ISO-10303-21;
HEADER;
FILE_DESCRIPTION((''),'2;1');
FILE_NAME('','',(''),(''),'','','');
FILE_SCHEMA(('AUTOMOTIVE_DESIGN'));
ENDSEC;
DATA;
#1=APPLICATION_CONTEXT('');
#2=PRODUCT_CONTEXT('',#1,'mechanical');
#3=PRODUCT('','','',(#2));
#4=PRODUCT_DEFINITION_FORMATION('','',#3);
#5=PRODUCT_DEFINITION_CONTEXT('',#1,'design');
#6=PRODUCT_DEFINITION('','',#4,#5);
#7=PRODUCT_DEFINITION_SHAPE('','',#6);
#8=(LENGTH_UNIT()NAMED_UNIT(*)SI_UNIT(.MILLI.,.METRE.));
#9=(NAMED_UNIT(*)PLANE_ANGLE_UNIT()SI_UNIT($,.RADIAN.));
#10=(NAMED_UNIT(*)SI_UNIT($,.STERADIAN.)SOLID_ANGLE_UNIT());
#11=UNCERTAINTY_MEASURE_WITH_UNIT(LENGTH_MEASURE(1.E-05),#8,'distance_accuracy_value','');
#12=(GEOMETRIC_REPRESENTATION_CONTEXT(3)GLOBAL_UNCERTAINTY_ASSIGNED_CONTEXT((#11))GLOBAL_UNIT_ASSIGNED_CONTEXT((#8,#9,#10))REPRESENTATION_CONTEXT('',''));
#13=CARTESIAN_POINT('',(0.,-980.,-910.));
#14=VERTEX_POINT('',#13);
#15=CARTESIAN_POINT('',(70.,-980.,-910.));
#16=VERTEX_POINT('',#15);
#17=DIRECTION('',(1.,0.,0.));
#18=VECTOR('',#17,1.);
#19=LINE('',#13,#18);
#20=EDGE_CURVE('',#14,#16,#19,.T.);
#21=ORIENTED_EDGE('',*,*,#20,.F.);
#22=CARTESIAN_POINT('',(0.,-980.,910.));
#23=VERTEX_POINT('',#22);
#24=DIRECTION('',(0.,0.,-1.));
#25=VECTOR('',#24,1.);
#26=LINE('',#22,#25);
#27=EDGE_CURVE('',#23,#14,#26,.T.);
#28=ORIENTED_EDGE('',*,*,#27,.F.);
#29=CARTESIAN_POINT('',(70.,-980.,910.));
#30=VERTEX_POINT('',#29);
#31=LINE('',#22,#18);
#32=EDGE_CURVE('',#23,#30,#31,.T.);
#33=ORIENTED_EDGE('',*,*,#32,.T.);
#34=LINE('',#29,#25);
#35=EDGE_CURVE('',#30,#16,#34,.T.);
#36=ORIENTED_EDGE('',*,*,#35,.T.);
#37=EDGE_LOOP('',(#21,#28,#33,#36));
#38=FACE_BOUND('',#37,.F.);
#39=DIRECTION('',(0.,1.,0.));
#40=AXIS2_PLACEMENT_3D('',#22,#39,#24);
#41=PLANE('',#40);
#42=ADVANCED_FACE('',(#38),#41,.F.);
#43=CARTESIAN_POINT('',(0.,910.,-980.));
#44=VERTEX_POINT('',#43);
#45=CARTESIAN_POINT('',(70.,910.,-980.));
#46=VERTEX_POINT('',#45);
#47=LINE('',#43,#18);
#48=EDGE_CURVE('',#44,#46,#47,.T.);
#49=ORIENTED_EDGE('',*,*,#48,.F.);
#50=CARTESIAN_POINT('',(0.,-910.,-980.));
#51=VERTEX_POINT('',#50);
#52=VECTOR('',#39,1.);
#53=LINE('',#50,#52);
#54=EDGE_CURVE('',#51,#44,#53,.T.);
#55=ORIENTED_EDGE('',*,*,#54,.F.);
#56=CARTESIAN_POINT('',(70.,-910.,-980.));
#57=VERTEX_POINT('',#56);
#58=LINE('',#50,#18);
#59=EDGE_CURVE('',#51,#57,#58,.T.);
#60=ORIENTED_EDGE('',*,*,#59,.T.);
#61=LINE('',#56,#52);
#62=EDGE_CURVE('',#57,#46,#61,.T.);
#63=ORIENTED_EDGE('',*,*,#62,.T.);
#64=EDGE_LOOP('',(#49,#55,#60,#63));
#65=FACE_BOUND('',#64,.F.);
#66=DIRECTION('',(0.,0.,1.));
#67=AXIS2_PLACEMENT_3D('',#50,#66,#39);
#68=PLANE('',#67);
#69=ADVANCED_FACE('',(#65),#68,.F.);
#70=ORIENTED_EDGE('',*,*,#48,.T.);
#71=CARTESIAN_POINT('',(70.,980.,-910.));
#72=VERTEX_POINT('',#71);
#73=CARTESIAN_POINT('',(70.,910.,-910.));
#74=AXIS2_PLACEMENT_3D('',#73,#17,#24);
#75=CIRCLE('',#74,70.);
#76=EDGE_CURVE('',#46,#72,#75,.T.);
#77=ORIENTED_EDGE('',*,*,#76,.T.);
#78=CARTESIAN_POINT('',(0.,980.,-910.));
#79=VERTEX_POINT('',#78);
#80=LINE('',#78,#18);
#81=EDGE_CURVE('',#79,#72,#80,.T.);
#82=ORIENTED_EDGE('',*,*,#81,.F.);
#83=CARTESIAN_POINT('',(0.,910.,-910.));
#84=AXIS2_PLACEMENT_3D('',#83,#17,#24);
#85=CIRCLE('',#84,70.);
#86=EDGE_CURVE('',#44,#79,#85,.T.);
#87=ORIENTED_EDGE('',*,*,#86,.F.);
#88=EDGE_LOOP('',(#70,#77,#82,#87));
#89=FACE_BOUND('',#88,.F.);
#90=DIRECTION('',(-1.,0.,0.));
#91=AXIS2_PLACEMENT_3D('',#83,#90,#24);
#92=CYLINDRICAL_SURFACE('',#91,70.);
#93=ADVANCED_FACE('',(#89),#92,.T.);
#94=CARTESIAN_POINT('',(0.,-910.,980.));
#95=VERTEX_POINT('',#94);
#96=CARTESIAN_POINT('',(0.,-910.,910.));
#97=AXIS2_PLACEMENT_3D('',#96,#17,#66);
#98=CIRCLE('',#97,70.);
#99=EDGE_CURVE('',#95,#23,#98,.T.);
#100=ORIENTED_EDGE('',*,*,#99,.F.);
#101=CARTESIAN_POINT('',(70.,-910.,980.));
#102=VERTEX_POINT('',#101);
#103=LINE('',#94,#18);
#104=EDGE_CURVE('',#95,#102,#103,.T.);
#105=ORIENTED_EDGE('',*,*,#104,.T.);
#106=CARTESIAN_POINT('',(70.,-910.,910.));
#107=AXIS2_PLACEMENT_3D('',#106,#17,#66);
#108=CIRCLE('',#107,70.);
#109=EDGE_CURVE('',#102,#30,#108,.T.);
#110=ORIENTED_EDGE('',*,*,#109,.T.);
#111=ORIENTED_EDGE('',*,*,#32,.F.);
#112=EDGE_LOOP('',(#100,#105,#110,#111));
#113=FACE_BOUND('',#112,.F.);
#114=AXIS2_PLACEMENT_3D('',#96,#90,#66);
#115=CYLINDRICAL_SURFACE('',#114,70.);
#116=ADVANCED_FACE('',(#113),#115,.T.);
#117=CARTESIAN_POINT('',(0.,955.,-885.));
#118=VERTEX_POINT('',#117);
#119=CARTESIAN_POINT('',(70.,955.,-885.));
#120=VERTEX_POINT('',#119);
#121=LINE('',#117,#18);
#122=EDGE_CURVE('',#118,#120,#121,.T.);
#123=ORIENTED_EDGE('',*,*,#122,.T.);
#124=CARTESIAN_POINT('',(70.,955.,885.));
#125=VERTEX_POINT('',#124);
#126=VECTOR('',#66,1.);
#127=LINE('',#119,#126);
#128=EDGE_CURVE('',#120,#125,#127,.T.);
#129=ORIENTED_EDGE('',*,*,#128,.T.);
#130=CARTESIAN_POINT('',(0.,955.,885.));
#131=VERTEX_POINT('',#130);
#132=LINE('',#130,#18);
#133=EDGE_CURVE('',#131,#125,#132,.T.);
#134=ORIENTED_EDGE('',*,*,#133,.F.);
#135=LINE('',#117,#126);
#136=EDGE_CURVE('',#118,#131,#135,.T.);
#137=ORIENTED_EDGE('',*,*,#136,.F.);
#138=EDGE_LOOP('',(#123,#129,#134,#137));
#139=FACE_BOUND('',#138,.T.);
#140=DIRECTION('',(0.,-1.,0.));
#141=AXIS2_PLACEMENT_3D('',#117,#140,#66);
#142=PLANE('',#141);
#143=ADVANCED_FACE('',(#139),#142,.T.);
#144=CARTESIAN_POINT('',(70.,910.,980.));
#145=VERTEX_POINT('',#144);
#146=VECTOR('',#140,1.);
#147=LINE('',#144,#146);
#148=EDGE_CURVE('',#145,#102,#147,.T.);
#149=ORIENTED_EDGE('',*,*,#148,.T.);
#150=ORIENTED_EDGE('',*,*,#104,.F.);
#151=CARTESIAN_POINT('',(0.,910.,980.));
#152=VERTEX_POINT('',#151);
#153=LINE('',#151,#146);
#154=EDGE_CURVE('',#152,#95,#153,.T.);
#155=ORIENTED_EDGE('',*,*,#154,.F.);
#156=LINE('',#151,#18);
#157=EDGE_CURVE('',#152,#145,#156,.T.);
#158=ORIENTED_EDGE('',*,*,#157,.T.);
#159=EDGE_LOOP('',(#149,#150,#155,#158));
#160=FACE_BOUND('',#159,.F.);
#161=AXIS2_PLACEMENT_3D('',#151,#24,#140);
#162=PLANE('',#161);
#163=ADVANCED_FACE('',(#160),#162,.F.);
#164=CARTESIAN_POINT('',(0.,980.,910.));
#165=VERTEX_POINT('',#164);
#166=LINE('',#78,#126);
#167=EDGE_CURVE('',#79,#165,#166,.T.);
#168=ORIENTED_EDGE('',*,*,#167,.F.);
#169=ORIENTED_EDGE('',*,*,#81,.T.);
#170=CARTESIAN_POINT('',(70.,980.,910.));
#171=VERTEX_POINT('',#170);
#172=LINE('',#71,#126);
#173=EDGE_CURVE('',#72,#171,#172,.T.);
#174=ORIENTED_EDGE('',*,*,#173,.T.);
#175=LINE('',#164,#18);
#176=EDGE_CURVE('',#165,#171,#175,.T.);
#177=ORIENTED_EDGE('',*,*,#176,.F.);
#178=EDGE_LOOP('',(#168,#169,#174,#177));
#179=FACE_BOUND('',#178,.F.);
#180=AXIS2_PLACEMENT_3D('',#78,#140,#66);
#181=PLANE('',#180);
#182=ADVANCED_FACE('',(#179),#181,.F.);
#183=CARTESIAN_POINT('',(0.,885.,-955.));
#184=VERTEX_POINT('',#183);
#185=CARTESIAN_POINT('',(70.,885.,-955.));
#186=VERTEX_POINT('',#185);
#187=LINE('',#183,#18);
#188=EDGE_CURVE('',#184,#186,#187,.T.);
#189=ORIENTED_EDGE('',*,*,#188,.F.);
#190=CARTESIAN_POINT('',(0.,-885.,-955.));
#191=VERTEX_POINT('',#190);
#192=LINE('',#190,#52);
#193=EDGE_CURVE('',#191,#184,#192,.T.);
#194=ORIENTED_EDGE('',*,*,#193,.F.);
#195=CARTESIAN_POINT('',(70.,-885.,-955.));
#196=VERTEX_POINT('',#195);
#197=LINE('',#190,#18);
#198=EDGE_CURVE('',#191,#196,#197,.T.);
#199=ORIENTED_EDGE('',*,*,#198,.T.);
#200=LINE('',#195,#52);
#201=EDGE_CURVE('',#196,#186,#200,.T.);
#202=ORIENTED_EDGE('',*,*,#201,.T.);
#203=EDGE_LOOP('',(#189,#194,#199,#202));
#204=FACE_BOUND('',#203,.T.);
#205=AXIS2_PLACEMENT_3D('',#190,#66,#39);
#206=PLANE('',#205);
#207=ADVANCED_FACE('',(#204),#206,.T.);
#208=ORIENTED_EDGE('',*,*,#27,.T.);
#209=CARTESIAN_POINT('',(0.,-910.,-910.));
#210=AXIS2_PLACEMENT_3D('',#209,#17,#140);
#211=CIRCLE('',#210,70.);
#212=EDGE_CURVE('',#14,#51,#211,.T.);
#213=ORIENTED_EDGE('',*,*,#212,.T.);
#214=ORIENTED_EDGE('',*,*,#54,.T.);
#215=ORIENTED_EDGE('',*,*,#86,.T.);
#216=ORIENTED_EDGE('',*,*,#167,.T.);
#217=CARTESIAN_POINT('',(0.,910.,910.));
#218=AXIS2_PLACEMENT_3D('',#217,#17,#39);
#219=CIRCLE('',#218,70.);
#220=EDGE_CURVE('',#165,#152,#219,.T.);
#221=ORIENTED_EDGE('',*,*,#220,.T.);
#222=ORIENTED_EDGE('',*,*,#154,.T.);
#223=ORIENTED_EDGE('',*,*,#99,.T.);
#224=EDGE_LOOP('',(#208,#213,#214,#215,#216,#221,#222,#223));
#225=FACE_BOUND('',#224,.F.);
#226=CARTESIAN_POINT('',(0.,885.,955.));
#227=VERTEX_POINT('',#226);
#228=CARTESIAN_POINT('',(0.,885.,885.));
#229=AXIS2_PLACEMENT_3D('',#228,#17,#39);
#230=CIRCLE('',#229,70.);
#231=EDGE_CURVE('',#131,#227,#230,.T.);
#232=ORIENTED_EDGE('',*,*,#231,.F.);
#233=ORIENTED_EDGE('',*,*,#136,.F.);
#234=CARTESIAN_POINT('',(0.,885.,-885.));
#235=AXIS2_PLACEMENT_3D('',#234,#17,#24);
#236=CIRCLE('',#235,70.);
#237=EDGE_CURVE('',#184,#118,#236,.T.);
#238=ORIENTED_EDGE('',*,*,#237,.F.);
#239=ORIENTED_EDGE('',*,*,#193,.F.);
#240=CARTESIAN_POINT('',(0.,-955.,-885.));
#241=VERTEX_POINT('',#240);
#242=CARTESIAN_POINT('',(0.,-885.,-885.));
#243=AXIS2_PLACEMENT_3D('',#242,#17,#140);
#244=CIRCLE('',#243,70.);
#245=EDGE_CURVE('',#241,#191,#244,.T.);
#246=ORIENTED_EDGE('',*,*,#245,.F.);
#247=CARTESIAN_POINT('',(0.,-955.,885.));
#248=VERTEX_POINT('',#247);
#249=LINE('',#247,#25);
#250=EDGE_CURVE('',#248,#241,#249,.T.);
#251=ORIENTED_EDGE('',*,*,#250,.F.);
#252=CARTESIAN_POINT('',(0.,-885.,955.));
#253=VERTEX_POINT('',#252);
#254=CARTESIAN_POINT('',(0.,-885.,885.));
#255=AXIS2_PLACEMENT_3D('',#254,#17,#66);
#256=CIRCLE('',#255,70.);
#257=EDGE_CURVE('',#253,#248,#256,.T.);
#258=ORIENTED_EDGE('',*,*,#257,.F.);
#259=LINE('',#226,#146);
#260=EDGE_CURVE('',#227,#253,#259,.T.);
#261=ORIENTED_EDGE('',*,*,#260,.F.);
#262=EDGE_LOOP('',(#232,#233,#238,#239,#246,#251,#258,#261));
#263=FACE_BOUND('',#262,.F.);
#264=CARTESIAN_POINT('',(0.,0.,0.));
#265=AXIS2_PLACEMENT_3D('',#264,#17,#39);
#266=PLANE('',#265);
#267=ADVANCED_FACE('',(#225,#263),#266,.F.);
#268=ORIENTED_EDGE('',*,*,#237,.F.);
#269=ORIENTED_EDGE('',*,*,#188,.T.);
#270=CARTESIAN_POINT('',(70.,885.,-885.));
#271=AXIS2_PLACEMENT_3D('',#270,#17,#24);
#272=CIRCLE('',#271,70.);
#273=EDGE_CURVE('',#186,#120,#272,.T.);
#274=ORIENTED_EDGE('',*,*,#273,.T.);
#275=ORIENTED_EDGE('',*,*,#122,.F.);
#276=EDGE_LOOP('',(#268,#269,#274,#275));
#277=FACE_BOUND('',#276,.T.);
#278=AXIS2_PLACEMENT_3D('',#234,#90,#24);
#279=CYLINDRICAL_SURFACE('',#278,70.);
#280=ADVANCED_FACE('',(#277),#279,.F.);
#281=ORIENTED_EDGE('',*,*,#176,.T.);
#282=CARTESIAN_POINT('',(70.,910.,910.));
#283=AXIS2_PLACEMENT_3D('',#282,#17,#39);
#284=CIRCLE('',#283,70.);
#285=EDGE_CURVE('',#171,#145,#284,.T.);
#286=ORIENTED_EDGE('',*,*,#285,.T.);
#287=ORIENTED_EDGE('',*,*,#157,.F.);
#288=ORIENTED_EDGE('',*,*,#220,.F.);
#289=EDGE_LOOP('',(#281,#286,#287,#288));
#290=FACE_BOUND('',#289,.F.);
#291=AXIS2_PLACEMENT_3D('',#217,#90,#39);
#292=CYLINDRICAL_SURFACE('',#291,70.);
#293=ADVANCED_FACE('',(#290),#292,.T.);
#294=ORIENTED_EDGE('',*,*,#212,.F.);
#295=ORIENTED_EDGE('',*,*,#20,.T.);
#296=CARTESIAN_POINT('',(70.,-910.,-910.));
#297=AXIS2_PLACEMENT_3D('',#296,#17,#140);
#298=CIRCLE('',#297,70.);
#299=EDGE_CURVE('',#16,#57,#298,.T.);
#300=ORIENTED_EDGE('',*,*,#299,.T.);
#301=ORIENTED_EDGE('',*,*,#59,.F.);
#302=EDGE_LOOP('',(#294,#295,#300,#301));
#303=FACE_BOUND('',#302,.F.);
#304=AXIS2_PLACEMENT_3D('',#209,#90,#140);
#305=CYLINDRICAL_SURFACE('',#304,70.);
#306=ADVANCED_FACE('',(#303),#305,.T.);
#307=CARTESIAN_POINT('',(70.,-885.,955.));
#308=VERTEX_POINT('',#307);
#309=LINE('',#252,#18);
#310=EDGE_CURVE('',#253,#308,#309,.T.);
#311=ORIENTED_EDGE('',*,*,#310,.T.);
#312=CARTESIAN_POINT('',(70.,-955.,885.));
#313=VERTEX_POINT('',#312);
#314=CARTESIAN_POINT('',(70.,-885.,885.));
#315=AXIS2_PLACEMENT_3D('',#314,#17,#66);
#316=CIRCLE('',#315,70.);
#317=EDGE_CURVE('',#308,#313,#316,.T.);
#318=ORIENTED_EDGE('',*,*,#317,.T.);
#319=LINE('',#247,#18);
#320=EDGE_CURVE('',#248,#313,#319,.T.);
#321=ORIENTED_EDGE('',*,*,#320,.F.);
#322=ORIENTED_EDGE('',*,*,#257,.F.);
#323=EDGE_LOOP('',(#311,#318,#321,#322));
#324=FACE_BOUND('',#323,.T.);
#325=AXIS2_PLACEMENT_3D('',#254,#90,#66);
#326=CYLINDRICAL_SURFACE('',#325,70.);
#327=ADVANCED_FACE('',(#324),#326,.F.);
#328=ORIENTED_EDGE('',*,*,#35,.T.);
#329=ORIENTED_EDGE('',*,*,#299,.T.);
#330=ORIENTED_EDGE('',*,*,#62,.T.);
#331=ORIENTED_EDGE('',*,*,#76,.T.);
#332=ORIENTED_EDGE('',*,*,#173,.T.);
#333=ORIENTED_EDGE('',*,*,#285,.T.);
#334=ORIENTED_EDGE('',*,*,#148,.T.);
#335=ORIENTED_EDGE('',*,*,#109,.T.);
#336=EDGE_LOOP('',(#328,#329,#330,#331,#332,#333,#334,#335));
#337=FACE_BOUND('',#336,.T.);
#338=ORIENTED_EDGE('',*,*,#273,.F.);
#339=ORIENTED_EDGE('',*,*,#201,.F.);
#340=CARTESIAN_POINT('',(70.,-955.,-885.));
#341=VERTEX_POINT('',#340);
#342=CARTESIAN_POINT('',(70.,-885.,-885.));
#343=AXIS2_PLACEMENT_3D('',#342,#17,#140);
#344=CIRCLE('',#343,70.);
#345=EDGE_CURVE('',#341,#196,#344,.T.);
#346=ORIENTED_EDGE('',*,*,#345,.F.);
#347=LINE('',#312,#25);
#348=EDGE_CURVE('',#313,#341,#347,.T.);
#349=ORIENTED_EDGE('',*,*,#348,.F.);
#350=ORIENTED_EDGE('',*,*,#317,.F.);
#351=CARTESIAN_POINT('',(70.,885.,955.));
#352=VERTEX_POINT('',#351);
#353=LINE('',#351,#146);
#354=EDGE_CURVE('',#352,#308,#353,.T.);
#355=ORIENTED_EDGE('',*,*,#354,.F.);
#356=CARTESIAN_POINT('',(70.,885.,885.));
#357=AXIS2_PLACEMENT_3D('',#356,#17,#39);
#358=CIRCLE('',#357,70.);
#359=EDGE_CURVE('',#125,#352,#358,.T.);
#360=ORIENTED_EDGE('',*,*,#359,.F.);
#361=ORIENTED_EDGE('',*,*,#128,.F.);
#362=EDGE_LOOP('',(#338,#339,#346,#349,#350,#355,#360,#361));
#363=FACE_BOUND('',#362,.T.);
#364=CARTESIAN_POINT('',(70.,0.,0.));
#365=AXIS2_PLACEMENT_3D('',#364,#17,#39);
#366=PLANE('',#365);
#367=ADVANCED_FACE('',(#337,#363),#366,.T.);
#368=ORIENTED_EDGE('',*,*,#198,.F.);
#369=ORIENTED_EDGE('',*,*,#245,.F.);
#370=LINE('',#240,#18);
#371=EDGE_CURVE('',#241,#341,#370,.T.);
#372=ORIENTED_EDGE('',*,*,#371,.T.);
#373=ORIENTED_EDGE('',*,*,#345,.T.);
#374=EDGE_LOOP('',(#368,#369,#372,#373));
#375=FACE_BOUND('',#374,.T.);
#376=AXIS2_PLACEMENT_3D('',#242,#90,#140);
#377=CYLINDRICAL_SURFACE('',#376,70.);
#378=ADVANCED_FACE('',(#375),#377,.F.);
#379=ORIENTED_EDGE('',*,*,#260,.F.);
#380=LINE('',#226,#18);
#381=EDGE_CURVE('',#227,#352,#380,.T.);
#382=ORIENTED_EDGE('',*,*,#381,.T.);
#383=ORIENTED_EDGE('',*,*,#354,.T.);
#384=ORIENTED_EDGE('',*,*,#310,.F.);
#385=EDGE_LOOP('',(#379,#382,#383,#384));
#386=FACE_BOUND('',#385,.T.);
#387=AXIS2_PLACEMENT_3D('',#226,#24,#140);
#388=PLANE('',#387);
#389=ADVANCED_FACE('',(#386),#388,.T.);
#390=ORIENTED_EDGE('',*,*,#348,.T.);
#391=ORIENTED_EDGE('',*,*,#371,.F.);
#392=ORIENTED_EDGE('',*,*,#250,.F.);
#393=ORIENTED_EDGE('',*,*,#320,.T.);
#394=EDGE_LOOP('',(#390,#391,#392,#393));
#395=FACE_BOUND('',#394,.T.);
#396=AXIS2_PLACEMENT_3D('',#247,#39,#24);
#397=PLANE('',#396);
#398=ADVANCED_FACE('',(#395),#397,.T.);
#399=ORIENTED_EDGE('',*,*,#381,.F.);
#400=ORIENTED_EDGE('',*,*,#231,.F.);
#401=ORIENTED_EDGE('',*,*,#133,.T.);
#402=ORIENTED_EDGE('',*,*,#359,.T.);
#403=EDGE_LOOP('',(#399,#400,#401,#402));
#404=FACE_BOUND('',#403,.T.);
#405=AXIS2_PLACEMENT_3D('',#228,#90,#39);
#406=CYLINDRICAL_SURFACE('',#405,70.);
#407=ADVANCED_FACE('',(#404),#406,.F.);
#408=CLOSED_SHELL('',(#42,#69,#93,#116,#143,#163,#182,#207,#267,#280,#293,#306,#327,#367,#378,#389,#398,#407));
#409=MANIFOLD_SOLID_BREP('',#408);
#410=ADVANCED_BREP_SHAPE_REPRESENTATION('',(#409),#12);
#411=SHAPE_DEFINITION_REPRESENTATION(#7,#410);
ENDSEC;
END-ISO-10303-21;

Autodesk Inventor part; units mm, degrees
ref_plane "YZ Plane" through (0, 0, 0) normal (1, 0, 0) x (0, 1, 0)
ref_plane "XZ Plane" through (0, 0, 0) normal (0, 1, 0) x (-1, 0, 0)
ref_plane "XY Plane" through (0, 0, 0) normal (0, 0, 1) x (1, 0, 0)
sketch "Sketch1" plane through (0, 0, 0) normal (1, 0, 0) x (0, 1, 0)
  line L0 (-910, -980) -> (910, -980)
  line L1 (980, -910) -> (980, 910)
  line L2 (910, 980) -> (-910, 980)
  line L3 (-980, 910) -> (-980, -910)
  line L4 (-980, -980) -> (980, 980) construction
  line L5 (980, -980) -> (-980, 980) construction
  line L6 (-885, -955) -> (885, -955)
  line L7 (955, -885) -> (955, 885)
  line L8 (885, 955) -> (-885, 955)
  line L9 (-955, 885) -> (-955, -885)
  line L10 (-955, -955) -> (955, 955) construction
  line L11 (955, -955) -> (-955, 955) construction
  arc A0 (885, -955) -> (955, -885) centre (885, -885) ccw
  arc A1 (910, -980) -> (980, -910) centre (910, -910) ccw
  arc A2 (-955, -885) -> (-885, -955) centre (-885, -885) ccw
  arc A3 (-980, -910) -> (-910, -980) centre (-910, -910) ccw
  arc A4 (-885, 955) -> (-955, 885) centre (-885, 885) ccw
  arc A5 (-910, 980) -> (-980, 910) centre (-910, 910) ccw
  arc A6 (955, 885) -> (885, 955) centre (885, 885) ccw
  arc A7 (980, 910) -> (910, 980) centre (910, 910) ccw
  point P0 (0, 0)
  dimension "d0" = 1960
  dimension "d1" = 1960
  dimension "d2" = 1910
  dimension "d3" = 1910
  dimension "d4" = 70
extrude "Extrusion1" add sketch "Sketch1" along normal blind 70
properties part number "Coil3or4"
